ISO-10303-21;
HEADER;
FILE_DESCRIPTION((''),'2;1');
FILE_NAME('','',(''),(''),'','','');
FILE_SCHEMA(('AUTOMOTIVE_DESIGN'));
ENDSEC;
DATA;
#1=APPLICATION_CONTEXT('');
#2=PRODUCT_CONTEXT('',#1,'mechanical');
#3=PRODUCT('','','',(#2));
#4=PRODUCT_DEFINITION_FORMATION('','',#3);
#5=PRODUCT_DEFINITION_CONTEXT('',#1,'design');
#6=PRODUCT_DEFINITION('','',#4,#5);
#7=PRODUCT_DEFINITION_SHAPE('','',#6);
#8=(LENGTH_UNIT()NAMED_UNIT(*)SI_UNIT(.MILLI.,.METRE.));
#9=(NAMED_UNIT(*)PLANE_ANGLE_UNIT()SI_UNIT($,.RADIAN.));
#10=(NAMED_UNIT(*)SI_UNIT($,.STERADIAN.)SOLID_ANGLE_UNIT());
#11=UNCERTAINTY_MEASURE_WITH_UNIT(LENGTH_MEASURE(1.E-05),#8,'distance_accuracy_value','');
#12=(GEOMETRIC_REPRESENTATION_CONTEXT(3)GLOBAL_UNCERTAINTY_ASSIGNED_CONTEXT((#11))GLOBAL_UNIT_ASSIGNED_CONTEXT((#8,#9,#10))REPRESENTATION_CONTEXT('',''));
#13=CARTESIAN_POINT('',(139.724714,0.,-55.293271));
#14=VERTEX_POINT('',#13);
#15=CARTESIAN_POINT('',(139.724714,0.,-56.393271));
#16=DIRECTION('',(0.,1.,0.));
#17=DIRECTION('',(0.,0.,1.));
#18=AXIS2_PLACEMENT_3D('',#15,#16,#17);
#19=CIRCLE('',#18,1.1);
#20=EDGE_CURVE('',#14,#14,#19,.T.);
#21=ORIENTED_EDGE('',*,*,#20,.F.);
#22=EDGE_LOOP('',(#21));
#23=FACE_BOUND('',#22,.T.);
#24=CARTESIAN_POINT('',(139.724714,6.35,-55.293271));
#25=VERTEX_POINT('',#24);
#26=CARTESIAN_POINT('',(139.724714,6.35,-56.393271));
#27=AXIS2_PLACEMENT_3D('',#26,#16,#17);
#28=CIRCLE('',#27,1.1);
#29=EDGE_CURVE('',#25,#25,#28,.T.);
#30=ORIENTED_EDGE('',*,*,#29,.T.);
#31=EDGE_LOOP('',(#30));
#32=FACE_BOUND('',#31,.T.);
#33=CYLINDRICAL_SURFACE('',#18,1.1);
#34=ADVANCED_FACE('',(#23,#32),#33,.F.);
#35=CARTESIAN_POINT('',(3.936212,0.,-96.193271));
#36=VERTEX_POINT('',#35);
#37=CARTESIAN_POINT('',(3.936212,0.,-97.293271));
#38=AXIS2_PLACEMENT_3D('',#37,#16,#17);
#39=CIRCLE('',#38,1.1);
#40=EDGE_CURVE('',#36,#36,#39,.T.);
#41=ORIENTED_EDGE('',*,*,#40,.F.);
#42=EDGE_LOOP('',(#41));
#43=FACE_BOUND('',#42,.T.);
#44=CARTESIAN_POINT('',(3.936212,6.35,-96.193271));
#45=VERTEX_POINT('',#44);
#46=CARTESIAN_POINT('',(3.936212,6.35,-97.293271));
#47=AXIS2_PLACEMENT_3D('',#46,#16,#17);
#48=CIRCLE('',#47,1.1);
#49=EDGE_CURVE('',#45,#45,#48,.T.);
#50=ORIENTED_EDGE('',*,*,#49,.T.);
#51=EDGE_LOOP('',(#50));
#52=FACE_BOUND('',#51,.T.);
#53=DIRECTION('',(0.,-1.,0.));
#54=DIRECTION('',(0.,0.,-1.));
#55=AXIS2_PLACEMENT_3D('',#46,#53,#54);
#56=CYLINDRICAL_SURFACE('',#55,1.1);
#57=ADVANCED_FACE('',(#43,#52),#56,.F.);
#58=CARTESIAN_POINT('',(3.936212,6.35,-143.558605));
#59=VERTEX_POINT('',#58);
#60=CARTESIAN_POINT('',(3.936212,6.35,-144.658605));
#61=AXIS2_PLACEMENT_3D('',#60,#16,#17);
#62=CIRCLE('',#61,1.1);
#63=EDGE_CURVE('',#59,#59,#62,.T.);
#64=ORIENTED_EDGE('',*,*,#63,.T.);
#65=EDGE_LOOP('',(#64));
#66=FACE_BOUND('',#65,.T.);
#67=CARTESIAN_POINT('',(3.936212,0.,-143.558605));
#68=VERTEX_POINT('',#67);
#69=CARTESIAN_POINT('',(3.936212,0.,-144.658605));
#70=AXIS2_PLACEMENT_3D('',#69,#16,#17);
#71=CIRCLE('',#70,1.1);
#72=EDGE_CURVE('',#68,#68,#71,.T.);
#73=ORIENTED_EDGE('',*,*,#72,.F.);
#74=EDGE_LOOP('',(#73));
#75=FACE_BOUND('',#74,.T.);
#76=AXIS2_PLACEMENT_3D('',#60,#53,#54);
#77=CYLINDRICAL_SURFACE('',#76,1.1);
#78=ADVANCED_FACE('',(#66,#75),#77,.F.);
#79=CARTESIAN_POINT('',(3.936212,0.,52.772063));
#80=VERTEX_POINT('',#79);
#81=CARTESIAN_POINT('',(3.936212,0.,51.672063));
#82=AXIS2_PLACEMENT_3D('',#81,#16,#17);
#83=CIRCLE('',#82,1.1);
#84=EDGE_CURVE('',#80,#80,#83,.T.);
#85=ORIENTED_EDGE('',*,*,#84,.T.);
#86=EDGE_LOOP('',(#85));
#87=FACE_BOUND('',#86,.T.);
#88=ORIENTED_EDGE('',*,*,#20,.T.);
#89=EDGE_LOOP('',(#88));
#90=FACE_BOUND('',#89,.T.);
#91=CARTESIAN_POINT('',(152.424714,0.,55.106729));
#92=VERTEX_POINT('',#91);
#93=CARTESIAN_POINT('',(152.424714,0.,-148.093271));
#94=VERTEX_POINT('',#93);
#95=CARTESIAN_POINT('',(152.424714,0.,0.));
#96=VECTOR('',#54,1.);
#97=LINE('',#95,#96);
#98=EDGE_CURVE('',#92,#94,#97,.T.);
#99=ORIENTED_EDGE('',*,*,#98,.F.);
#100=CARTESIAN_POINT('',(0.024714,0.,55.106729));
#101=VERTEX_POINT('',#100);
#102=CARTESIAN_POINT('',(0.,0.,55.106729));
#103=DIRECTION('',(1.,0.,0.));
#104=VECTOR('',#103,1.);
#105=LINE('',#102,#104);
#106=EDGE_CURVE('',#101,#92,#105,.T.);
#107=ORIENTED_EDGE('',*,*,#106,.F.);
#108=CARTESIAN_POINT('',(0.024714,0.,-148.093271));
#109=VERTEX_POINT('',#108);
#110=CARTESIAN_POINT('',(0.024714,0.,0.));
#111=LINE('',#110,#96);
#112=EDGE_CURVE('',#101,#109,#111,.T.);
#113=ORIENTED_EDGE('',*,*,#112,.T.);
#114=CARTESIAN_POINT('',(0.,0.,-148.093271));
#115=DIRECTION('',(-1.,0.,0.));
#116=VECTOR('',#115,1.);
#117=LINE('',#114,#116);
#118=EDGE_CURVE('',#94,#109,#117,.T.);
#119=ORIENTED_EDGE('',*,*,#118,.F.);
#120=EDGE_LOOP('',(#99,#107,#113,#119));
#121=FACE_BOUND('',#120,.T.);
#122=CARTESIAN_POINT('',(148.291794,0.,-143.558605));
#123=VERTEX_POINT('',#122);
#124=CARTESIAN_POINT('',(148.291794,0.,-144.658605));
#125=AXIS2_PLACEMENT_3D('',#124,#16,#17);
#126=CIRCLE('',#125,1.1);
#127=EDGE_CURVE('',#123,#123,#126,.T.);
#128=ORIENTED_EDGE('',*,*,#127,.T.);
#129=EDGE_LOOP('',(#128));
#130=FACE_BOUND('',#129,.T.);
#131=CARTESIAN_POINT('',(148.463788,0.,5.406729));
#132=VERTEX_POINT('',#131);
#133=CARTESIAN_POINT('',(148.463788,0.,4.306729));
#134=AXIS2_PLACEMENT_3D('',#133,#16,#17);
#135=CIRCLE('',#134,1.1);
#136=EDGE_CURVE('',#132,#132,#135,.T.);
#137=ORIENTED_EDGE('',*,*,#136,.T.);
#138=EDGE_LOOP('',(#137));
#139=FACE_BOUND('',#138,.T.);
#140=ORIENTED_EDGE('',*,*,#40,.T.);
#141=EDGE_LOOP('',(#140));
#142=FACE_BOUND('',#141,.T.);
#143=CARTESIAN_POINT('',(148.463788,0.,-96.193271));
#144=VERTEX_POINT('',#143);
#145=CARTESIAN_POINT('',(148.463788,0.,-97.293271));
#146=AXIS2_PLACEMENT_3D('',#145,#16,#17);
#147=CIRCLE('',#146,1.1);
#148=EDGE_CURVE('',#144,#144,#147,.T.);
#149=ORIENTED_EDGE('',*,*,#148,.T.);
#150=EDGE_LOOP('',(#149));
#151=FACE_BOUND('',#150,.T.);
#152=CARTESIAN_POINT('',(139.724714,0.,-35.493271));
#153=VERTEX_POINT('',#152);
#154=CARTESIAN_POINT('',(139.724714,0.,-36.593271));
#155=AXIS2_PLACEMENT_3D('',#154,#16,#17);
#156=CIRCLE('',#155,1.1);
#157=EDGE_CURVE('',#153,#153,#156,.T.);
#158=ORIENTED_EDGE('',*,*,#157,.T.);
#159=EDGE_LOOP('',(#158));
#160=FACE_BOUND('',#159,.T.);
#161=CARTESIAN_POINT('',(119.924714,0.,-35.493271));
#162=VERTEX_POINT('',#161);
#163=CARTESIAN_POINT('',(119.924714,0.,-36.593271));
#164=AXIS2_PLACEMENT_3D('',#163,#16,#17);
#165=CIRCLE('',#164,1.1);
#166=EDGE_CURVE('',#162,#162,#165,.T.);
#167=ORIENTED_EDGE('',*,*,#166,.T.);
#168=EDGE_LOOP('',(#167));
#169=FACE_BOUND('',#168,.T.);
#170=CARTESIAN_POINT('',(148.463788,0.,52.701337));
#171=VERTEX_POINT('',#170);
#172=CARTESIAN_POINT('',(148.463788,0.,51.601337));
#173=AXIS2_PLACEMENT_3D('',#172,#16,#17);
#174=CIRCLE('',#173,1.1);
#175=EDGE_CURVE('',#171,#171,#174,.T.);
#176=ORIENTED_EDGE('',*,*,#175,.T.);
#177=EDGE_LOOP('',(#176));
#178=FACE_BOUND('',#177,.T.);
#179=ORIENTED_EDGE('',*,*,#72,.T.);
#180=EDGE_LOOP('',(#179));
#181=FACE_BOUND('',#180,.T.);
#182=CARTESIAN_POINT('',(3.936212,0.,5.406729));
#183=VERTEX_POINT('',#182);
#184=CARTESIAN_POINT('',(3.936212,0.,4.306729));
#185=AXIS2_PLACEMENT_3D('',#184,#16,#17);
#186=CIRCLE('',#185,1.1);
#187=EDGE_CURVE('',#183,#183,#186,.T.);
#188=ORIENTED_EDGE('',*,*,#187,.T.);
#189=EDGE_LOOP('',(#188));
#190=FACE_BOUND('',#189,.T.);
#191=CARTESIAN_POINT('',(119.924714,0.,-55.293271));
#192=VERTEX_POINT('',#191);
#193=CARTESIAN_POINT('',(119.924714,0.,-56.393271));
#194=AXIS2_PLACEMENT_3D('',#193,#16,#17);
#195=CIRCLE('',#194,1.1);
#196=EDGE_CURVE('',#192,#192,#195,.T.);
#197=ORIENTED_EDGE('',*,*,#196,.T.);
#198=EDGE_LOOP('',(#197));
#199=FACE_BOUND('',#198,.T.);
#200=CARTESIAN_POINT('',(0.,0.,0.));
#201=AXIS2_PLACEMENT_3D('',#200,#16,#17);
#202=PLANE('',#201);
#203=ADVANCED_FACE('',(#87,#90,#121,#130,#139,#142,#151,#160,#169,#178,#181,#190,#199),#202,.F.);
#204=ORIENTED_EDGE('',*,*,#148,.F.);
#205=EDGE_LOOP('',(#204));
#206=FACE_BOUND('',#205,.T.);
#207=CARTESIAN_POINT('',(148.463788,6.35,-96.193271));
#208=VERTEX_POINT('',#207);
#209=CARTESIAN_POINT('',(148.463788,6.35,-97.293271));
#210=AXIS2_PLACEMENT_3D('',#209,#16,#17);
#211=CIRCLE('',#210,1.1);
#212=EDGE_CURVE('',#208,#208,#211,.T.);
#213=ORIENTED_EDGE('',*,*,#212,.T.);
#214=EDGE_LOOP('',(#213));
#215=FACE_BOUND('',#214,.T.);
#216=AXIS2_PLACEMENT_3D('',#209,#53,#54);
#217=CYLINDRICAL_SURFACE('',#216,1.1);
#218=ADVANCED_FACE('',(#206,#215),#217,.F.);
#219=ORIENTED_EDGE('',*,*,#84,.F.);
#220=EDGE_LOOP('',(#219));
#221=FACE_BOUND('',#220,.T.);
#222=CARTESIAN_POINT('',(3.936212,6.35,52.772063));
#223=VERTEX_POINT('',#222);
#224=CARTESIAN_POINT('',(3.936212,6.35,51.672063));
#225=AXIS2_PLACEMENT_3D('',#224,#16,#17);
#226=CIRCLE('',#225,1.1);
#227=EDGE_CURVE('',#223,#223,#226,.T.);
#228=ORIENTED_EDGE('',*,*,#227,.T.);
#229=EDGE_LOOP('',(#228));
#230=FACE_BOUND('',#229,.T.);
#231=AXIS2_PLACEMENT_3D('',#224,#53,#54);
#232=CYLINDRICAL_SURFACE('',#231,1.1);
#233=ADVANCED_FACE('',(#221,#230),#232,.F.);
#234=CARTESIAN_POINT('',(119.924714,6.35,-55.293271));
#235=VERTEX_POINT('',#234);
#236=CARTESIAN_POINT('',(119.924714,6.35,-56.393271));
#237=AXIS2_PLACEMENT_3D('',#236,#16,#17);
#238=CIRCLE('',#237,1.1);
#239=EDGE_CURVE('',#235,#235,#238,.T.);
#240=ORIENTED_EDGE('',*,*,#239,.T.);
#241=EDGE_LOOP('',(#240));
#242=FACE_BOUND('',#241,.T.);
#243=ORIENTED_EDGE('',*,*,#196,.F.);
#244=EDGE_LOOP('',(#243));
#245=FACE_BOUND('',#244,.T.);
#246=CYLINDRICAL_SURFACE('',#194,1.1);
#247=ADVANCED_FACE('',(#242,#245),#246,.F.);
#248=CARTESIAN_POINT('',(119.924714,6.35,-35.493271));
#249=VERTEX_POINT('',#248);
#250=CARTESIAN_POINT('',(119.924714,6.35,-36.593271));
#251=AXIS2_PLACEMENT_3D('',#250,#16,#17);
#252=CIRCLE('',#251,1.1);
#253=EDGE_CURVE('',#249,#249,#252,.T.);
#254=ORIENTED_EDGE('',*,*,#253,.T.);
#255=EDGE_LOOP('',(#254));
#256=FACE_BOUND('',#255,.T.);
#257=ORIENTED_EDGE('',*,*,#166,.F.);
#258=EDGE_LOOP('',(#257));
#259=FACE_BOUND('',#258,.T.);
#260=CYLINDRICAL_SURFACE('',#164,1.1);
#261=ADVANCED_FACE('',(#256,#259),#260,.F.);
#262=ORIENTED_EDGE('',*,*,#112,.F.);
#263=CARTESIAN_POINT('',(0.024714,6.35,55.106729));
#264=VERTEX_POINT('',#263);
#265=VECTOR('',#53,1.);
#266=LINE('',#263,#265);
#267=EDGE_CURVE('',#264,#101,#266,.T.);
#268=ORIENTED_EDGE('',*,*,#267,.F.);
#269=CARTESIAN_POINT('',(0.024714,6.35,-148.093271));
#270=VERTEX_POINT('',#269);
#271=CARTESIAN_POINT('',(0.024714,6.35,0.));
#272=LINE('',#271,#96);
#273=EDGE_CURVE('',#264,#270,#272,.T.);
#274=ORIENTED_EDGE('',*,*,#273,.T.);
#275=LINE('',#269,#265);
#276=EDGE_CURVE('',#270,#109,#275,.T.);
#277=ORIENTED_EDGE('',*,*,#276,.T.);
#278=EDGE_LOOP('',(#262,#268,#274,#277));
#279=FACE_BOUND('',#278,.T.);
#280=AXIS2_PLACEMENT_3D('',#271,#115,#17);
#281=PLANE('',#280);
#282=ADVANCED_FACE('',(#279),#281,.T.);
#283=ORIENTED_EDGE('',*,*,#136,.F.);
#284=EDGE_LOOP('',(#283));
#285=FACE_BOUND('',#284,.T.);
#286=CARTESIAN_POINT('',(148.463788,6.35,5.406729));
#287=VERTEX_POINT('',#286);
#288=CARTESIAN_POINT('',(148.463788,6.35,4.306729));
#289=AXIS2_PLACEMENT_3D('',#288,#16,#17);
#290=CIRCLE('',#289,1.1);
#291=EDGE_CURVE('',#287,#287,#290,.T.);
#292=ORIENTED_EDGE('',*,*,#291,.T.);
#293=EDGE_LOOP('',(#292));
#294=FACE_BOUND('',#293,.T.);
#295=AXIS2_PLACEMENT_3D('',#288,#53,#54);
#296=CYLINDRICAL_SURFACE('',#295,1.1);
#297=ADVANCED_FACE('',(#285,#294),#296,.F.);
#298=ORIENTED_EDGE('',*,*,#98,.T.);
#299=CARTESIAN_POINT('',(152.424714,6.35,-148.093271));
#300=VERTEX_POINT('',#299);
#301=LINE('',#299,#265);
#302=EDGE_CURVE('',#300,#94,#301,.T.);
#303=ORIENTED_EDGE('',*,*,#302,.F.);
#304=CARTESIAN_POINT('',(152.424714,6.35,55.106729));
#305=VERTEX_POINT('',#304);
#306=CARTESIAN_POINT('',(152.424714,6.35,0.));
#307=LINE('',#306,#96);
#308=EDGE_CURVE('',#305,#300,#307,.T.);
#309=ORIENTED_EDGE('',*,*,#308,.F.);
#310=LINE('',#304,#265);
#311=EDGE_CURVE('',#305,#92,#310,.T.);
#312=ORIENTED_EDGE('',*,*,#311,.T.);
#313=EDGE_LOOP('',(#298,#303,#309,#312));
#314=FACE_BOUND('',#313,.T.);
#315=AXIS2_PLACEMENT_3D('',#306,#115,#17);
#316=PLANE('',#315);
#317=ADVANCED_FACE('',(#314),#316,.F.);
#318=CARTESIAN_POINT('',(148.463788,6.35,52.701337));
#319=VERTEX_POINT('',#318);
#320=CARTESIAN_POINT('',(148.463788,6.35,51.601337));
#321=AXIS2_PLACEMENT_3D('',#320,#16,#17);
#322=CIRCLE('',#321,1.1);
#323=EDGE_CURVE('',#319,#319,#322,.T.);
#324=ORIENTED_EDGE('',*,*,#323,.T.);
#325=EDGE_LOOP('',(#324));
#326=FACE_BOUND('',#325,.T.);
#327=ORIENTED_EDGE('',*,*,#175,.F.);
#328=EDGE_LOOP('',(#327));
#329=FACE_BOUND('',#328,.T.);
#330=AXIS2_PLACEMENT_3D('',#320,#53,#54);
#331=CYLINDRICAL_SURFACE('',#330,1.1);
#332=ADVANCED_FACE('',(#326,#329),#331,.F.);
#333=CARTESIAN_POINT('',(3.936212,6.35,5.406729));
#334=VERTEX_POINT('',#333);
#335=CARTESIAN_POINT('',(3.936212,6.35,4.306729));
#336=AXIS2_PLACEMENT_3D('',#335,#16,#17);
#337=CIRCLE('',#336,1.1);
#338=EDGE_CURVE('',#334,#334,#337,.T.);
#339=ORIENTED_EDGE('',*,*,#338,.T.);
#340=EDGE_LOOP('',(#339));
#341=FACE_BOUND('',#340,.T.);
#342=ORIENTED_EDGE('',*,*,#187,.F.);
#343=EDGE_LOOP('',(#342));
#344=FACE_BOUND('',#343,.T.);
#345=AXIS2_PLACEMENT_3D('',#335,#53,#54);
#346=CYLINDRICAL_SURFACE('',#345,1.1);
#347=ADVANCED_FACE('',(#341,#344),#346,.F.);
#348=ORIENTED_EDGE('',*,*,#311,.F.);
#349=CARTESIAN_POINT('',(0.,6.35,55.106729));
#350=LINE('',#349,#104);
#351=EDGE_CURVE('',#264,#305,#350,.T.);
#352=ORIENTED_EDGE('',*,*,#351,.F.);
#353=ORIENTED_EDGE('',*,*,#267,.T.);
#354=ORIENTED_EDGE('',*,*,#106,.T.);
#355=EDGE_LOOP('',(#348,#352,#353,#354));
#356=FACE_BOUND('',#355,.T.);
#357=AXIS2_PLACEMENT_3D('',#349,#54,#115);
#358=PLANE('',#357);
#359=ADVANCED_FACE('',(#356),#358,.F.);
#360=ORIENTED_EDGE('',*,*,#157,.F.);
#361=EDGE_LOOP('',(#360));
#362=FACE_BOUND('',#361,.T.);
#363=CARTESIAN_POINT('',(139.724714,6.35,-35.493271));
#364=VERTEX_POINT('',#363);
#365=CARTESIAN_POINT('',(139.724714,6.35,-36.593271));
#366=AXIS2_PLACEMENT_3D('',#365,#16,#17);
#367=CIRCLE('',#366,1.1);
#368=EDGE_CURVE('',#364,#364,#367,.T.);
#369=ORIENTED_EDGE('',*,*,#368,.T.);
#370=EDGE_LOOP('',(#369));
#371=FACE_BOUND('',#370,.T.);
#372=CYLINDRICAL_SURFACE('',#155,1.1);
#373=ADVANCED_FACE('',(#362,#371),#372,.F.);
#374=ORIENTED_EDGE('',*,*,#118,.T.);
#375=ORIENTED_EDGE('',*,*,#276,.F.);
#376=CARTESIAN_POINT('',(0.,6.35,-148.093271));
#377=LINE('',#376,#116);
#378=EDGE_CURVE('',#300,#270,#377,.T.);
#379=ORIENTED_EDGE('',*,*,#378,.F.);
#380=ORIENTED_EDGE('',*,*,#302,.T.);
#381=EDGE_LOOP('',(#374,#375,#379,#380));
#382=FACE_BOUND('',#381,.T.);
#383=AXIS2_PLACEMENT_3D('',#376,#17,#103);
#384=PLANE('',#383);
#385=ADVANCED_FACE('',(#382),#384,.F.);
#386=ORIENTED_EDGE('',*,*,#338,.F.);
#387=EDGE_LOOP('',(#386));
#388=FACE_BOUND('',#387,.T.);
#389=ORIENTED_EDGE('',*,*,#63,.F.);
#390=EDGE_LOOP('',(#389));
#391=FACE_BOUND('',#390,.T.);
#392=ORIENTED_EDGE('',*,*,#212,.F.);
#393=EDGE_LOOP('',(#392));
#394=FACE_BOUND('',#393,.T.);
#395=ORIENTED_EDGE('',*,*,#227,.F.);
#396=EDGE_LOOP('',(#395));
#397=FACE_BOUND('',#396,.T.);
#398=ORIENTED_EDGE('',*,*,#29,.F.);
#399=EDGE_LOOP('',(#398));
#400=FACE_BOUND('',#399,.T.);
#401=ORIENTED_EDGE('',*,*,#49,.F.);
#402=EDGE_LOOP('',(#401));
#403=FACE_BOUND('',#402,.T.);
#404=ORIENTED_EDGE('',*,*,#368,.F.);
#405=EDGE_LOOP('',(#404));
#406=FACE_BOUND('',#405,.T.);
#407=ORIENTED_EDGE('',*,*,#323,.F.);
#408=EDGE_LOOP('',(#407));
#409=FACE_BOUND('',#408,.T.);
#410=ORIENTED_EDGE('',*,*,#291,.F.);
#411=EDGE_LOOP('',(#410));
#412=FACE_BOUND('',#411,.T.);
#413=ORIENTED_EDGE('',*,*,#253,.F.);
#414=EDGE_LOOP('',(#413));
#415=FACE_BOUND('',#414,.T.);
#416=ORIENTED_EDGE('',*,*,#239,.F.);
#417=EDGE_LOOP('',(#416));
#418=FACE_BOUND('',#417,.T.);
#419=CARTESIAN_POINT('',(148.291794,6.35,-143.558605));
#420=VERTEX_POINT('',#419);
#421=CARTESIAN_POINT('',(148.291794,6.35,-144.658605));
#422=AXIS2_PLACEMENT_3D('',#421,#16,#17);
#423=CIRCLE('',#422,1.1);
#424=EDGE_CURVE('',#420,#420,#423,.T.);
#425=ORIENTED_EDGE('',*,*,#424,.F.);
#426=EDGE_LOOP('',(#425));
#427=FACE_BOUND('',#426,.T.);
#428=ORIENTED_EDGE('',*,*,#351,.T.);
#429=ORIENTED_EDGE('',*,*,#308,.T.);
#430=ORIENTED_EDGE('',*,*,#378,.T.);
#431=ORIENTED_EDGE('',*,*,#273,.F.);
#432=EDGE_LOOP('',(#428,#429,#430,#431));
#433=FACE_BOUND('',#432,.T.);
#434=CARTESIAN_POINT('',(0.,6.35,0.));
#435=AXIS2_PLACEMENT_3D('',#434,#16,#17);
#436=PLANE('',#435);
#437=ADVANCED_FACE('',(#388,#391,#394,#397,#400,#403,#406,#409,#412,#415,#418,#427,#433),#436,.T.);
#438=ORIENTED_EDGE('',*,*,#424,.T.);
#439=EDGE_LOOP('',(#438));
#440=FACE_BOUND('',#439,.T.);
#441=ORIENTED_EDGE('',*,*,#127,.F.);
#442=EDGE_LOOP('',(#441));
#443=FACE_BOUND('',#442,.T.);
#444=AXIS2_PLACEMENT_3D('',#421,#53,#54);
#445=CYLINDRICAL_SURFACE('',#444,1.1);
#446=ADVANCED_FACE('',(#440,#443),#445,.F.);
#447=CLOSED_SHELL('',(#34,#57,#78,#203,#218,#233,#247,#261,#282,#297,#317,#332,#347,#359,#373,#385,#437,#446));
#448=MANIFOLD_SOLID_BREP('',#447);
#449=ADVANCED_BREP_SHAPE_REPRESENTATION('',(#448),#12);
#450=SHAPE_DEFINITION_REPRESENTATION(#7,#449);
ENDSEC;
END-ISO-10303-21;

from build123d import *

# Parameters (mm, degrees)
SKETCH1_W           = 152.4
SKETCH1_H           = 203.2
SKETCH1_R           = 1.1
BOSS_EXTRUDE1_DEPTH = 6.35
SKETCH2_R           = 1.1
CUT_EXTRUDE1_DEPTH  = 6.35


with BuildPart() as part:
    # Sketch1 → Boss-Extrude1 (new body)
    with BuildSketch(Plane(origin=(0, 0, 0), x_dir=(1, 0, 0), z_dir=(0, 1, 0))):
        with Locations((76.224714482, 46.493270824)):
            Rectangle(SKETCH1_W, SKETCH1_H)
        with Locations(Location((3.936211838, 97.293270824, 0), (0, 0, 270))):
            Circle(SKETCH1_R, mode=Mode.SUBTRACT)
        with Locations(Location((3.936211838, -4.306729176, 0), (0, 0, 270))):
            Circle(SKETCH1_R, mode=Mode.SUBTRACT)
        with Locations(Location((148.463788162, -4.306729176, 0), (0, 0, 270))):
            Circle(SKETCH1_R, mode=Mode.SUBTRACT)
        with Locations(Location((148.463788162, 97.293270824, 0), (0, 0, 270))):
            Circle(SKETCH1_R, mode=Mode.SUBTRACT)
        with Locations(Location((148.291793945, 144.658604846, 0), (0, 0, 270))):
            Circle(SKETCH1_R, mode=Mode.SUBTRACT)
        with Locations(Location((148.463788162, -51.601337012, 0), (0, 0, 270))):
            Circle(SKETCH1_R, mode=Mode.SUBTRACT)
        with Locations(Location((3.936211838, -51.672063198, 0), (0, 0, 270))):
            Circle(SKETCH1_R, mode=Mode.SUBTRACT)
        with Locations(Location((3.936211838, 144.658604846, 0), (0, 0, 270))):
            Circle(SKETCH1_R, mode=Mode.SUBTRACT)
    extrude(amount=BOSS_EXTRUDE1_DEPTH)

    # Sketch2 → Cut-Extrude1 (cut)
    with BuildSketch(Plane(origin=(0, 6.35, 0), x_dir=(1, 0, 0), z_dir=(0, 1, 0))):
        with Locations(Location((119.924714482, 56.393270824, 0), (0, 0, 270))):
            Circle(SKETCH2_R)
        with Locations(Location((119.924714482, 36.593270824, 0), (0, 0, 270))):
            Circle(SKETCH2_R)
        with Locations(Location((139.724714482, 36.593270824, 0), (0, 0, 270))):
            Circle(SKETCH2_R)
        with Locations(Location((139.724714482, 56.393270824, 0), (0, 0, 270))):
            Circle(SKETCH2_R)
    extrude(amount=-CUT_EXTRUDE1_DEPTH, mode=Mode.SUBTRACT)


solid = part.part
